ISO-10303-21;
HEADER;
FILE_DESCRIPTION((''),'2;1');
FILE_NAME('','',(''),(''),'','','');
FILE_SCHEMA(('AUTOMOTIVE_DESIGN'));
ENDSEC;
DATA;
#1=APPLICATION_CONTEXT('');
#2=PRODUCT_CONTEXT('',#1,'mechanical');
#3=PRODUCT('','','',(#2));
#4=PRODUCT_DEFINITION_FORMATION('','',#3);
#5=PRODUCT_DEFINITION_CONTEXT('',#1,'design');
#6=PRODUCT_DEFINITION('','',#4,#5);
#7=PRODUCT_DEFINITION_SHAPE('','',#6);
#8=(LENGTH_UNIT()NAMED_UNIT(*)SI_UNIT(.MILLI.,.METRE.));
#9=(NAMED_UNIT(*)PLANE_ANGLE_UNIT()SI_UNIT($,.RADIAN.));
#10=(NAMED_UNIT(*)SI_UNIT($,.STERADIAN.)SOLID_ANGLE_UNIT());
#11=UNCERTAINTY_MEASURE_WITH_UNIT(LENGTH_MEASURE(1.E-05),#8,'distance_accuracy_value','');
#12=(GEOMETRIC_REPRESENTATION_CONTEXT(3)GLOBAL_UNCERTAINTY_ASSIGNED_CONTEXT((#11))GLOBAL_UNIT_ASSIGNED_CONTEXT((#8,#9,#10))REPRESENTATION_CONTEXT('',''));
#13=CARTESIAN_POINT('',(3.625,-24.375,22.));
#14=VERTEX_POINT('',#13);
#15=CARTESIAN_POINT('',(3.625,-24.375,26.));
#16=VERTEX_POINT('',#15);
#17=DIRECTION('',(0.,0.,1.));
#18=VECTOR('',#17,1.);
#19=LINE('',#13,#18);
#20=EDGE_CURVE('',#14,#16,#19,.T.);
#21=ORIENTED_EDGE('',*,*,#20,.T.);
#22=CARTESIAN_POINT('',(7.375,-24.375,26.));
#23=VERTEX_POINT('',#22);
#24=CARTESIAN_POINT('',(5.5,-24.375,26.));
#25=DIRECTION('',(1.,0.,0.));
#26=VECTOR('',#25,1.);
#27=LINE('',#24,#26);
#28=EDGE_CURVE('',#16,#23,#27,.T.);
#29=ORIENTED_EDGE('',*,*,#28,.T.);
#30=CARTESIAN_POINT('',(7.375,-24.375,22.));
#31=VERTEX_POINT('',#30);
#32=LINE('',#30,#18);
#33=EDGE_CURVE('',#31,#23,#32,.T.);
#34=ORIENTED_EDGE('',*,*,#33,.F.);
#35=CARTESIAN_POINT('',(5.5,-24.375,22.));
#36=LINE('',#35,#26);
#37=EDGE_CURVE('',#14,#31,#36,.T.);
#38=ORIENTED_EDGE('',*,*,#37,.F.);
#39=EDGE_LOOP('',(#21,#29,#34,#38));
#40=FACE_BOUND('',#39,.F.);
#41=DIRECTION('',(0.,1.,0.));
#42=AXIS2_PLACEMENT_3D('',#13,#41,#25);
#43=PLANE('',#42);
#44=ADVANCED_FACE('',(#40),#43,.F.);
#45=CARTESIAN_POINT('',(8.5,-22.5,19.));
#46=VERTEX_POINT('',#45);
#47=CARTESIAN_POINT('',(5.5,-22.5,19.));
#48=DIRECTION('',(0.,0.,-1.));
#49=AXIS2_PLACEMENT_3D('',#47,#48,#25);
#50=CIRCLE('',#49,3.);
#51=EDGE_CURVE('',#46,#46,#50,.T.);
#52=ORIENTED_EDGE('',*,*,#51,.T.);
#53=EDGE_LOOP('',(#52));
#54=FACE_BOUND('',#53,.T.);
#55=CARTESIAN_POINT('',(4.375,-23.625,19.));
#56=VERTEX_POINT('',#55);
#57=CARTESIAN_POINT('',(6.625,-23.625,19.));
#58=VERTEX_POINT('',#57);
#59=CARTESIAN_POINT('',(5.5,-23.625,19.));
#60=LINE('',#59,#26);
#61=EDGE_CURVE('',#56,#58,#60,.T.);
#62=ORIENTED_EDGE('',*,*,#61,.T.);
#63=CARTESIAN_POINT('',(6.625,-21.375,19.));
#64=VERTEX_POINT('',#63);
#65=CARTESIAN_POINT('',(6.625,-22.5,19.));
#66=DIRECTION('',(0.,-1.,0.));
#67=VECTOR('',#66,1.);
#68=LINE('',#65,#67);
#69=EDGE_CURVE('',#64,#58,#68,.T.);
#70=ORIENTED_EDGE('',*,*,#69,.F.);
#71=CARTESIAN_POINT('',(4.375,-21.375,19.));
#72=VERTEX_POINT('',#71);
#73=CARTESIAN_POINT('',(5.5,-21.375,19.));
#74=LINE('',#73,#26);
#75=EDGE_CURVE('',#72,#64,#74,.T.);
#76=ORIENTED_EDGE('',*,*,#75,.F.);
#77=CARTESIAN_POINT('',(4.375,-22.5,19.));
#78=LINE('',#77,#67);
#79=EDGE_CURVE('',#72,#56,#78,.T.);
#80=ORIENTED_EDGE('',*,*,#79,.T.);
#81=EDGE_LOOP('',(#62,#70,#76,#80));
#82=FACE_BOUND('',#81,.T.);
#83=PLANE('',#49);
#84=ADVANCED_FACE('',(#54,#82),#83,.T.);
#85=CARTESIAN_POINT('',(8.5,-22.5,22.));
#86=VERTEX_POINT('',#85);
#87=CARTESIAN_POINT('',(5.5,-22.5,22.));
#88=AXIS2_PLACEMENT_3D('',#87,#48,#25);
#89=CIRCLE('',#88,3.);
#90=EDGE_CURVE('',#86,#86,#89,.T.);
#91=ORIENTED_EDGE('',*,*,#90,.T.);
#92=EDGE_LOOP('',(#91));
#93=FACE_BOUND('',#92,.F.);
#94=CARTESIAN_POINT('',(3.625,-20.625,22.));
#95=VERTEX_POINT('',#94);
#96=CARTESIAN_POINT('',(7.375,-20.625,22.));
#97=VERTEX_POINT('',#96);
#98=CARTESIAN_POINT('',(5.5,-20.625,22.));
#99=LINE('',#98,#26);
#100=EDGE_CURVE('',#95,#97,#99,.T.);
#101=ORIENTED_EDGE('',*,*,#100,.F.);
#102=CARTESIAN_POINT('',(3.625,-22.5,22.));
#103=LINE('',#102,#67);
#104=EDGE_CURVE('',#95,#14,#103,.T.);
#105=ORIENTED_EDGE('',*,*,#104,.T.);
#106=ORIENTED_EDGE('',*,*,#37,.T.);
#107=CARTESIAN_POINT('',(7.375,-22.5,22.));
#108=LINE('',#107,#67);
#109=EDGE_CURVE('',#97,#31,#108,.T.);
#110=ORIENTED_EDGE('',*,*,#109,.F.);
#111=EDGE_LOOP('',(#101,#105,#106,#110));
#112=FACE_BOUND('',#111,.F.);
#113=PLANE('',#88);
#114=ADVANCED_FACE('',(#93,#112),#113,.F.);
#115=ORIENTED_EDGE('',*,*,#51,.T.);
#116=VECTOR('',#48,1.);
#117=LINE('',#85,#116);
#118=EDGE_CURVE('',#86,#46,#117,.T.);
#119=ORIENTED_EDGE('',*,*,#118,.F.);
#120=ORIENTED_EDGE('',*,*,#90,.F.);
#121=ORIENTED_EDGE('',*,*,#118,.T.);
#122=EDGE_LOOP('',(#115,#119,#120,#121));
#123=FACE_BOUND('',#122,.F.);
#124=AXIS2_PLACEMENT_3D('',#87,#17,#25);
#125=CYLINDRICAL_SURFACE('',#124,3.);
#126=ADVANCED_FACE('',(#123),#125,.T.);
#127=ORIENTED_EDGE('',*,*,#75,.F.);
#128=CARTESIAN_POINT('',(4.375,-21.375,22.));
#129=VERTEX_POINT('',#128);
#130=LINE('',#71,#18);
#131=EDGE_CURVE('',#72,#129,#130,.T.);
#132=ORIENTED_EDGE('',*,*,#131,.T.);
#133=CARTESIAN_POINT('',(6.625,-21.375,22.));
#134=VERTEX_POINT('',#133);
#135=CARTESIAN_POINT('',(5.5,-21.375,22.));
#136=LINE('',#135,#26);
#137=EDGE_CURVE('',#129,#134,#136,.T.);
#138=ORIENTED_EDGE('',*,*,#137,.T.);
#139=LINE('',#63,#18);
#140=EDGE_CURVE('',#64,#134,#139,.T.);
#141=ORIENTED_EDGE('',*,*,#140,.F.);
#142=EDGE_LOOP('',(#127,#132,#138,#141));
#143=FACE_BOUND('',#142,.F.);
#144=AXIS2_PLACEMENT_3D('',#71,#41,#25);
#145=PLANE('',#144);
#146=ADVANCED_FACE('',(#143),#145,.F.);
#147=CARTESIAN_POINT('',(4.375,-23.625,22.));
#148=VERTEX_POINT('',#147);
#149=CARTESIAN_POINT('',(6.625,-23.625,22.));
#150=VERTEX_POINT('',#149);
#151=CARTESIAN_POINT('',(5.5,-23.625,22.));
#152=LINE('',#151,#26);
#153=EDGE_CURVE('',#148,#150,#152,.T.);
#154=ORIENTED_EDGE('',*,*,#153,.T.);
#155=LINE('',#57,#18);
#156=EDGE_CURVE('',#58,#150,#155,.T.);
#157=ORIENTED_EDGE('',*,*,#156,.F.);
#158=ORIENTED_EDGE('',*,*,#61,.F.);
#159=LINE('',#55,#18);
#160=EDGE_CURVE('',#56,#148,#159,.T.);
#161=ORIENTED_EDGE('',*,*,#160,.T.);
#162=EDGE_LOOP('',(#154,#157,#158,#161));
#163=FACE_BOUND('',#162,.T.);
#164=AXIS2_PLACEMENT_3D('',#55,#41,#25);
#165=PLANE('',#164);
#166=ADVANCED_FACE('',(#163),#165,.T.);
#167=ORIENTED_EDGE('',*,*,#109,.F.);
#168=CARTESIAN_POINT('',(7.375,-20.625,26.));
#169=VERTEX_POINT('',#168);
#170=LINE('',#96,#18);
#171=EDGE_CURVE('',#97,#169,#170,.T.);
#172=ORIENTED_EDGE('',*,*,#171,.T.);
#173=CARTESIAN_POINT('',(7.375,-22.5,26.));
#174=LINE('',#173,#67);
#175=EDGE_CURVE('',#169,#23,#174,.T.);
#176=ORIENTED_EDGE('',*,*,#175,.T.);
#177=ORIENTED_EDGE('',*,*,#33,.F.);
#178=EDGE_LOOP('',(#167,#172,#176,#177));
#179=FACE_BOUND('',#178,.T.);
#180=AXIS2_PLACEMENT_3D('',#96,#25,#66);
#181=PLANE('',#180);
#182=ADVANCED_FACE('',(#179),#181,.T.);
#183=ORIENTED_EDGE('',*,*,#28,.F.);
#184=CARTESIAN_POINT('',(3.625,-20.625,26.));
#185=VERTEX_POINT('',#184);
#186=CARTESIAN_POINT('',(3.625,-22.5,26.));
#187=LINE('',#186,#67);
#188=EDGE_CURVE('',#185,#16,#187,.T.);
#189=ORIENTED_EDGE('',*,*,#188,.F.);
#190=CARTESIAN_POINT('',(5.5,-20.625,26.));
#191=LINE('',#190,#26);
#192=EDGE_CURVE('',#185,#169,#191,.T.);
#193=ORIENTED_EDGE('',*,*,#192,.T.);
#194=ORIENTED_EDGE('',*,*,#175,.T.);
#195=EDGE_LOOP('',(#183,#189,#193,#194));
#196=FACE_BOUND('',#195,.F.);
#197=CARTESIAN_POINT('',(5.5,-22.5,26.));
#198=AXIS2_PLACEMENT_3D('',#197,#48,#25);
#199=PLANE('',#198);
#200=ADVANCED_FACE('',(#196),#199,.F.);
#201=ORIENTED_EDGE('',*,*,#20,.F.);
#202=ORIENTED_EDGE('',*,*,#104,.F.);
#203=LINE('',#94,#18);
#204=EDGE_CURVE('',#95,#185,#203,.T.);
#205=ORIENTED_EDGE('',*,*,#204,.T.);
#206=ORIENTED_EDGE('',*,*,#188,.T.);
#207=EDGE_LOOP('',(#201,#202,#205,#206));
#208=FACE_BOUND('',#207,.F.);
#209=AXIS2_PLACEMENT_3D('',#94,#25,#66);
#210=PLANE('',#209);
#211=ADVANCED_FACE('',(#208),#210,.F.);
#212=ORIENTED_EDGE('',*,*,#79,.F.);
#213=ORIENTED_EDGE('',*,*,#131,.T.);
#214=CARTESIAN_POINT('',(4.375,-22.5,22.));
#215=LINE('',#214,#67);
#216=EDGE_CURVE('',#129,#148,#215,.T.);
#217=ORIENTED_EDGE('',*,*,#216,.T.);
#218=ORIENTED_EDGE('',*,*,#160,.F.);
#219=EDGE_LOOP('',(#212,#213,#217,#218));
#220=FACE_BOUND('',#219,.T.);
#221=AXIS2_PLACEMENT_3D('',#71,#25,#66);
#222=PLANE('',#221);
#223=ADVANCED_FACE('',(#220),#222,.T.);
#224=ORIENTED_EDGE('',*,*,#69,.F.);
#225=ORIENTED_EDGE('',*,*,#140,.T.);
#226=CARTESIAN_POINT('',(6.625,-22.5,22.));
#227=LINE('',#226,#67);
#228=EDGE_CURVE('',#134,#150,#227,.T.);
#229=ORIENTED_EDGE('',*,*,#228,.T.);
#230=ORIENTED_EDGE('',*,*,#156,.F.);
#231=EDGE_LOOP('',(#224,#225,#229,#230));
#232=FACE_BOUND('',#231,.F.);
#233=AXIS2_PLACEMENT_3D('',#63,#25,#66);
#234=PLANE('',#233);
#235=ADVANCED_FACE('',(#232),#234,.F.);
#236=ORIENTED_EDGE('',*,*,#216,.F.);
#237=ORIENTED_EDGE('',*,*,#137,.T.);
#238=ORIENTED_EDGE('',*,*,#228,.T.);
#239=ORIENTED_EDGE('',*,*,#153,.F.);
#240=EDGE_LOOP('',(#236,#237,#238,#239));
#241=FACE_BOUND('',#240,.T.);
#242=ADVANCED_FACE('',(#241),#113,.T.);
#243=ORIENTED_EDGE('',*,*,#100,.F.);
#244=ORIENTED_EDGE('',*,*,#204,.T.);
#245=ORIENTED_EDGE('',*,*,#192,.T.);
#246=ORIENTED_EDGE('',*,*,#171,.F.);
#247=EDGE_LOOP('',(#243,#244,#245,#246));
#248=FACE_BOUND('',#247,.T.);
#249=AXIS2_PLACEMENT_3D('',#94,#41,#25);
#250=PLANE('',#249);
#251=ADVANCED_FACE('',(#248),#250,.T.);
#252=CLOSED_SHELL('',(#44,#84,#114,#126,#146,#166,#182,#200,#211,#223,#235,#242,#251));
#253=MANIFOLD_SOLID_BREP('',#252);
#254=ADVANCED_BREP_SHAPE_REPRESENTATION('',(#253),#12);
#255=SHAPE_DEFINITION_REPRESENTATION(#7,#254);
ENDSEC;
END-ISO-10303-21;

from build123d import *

# Parameters (mm, degrees)
SKETCH079_W     = 3.75
SKETCH079_H     = 3.75
PAD046_DEPTH    = 4
SKETCH080_R     = 3
PAD047_DEPTH    = 3
SKETCH081_W     = 2.25
SKETCH081_H     = 2.25
POCKET034_DEPTH = 3


with BuildPart() as part:
    # Sketch079 → Pad046 (new body)
    with BuildSketch(Plane(origin=(0, 0, 22), x_dir=(1, 0, 0), z_dir=(0, 0, -1))):
        with Locations((5.5, 22.5)):
            Rectangle(SKETCH079_W, SKETCH079_H)
    extrude(amount=-PAD046_DEPTH)

    # Sketch080 (on Face5 of Pad046) → Pad047 (join)
    with BuildSketch(Plane(origin=(0, 0, 22), x_dir=(1, 0, 0), z_dir=(0, 0, -1))):
        with Locations((5.5, 22.5)):
            Circle(SKETCH080_R)
    extrude(amount=PAD047_DEPTH)

    # Sketch081 (on Face3 of Pad047) → Pocket034 (cut)
    with BuildSketch(Plane(origin=(0, 0, 19), x_dir=(1, 0, 0), z_dir=(0, 0, -1))):
        with Locations((5.5, 22.5)):
            Rectangle(SKETCH081_W, SKETCH081_H)
    extrude(amount=-POCKET034_DEPTH, mode=Mode.SUBTRACT)


solid = part.part
